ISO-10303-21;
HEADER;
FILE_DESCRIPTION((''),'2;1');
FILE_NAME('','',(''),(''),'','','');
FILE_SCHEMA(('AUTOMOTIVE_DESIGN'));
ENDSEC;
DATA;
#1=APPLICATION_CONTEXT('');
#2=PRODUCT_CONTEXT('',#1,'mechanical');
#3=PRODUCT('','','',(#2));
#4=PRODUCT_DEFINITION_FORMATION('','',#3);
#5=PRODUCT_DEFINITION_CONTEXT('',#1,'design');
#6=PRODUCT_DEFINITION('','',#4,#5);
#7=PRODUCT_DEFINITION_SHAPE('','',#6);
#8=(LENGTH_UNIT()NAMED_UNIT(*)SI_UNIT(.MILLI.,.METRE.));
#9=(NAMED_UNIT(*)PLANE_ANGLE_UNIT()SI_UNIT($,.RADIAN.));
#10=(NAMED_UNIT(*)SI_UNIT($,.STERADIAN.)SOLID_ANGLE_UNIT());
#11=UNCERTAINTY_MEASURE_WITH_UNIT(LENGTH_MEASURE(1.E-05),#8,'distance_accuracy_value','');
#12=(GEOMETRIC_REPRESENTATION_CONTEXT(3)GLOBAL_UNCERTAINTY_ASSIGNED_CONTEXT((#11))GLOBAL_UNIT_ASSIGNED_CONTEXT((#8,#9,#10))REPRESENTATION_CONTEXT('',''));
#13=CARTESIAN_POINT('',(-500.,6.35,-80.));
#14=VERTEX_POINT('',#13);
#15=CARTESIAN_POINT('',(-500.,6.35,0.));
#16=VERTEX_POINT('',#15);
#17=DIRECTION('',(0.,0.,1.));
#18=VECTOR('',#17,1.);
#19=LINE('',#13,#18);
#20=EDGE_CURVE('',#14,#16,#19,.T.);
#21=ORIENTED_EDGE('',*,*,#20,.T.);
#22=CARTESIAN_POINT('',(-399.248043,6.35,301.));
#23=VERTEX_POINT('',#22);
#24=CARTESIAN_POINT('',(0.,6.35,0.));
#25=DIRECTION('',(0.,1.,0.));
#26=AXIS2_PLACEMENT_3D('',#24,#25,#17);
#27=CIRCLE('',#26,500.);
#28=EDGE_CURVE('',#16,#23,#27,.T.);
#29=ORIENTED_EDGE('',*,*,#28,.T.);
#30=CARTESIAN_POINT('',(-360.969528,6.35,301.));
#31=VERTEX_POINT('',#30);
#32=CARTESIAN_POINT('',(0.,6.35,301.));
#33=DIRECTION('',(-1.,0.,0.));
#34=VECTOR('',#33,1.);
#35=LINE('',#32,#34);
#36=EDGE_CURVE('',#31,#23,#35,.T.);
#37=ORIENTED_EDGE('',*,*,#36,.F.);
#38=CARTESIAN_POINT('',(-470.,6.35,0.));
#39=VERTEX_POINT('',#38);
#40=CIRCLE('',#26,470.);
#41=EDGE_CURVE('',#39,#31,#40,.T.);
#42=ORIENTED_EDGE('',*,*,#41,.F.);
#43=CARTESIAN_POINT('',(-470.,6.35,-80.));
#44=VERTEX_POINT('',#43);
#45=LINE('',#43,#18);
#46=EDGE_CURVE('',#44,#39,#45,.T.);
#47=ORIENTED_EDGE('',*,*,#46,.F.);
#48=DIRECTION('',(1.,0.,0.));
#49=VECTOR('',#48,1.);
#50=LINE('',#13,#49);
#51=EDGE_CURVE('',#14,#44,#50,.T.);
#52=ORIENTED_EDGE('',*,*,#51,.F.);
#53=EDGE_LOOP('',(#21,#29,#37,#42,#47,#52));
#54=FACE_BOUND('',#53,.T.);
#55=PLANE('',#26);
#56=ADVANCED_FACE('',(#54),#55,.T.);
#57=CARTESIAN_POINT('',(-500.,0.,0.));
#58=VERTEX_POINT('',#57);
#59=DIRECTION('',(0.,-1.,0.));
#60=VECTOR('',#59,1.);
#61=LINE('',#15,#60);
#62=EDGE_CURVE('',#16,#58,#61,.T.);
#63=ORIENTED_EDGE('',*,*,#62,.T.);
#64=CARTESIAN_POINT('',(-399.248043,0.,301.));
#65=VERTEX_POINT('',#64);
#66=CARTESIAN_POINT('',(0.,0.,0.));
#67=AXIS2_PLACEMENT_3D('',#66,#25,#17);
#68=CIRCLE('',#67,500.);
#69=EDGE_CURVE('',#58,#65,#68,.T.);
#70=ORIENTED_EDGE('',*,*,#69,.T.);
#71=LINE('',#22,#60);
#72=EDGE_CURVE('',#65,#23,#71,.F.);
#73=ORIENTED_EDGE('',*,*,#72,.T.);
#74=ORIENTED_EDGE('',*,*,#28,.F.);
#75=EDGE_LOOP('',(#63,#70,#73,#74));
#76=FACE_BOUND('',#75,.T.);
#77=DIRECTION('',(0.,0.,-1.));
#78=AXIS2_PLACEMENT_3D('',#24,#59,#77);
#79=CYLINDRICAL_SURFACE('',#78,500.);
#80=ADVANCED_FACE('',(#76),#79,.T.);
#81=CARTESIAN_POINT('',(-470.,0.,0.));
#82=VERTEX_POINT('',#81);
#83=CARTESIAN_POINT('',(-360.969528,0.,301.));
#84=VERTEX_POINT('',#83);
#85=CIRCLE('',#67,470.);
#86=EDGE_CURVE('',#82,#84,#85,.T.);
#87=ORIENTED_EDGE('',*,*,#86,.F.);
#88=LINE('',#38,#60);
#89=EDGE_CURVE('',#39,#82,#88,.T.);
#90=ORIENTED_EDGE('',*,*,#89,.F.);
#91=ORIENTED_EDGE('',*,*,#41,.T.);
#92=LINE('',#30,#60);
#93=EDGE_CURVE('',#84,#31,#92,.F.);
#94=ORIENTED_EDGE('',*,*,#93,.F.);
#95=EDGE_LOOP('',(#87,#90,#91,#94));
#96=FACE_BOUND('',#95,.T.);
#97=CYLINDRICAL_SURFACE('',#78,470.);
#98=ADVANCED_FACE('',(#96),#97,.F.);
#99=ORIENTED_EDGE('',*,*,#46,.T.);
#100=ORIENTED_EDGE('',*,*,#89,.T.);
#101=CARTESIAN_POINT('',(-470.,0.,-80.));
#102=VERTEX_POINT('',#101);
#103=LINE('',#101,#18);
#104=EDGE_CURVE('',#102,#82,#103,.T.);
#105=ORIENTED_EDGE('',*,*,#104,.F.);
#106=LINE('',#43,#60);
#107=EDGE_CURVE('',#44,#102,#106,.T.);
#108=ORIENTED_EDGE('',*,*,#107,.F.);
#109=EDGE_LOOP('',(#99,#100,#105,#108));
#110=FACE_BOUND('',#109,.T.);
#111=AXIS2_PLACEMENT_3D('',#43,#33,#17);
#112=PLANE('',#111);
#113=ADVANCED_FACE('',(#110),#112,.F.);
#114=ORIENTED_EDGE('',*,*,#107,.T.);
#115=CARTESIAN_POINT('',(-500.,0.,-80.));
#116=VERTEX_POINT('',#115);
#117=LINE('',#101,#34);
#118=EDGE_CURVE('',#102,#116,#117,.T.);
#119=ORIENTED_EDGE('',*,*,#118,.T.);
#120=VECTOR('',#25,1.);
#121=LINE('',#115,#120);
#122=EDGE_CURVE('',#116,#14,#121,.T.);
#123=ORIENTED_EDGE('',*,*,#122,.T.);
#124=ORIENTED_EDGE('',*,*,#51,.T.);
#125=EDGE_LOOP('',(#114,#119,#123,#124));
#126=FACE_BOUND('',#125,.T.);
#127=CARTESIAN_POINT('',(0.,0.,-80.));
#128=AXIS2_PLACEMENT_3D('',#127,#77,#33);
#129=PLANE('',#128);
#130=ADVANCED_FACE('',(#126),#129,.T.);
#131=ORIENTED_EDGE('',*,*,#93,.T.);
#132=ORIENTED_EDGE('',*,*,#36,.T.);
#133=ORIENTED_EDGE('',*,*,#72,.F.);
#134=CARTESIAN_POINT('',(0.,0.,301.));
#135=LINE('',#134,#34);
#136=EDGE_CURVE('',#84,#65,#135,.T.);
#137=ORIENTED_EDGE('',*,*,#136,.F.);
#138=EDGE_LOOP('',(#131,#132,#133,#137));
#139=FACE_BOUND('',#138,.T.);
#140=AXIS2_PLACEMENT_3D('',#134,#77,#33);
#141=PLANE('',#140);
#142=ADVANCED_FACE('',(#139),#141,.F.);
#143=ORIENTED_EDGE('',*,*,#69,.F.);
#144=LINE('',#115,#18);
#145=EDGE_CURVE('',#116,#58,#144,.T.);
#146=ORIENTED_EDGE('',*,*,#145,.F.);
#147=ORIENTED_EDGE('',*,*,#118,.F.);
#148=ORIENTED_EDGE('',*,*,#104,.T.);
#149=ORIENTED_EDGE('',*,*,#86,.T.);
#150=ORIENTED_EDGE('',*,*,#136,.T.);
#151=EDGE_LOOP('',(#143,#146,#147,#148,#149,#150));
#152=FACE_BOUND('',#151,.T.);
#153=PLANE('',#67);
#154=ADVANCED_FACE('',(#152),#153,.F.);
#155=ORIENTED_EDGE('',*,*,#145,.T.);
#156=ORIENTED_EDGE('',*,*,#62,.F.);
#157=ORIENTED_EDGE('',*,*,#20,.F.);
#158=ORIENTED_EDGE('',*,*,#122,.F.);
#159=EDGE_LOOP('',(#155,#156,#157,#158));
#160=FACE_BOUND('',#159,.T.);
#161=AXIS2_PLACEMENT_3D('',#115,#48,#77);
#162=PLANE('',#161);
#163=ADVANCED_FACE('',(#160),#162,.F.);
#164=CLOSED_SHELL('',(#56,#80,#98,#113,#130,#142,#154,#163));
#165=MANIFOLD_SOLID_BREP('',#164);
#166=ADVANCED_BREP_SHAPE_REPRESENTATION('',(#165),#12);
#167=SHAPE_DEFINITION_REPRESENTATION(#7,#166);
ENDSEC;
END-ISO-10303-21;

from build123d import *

# Parameters (mm, degrees)
BOSS_EXTRUDE1_DEPTH = 6.35
SKETCH3_W           = 30
SKETCH3_H           = 6.35
BOSS_EXTRUDE2_DEPTH = 80


with BuildPart() as part:
    # Sketch2 → Boss-Extrude1 (new body)
    with BuildSketch(Plane(origin=(0, 0, 0), x_dir=(1, 0, 0), z_dir=(0, 1, 0))):
        with BuildLine():
            ThreePointArc((0, -470), (-332.340187158, -332.340187158), (-470, 0))
            Line((-470, 0), (-500, 0))
            ThreePointArc((-500, 0), (-353.553390593, -353.553390593), (0, -500))
            Line((0, -500), (0, -470))
        make_face()
    extrude(amount=BOSS_EXTRUDE1_DEPTH)

    # Sketch3 → Boss-Extrude2 (add)
    with BuildSketch(Plane(origin=(0, 0, 0), x_dir=(-1, 0, 0), z_dir=(0, 0, -1))):
        with Locations((485, 3.175)):
            Rectangle(SKETCH3_W, SKETCH3_H)
    extrude(amount=BOSS_EXTRUDE2_DEPTH)

    # Split1
    split(bisect_by=Plane(origin=(0, 0, 301), x_dir=(-1, 0, 0), z_dir=(0, 0, -1)), keep=Keep.TOP)


solid = part.part
